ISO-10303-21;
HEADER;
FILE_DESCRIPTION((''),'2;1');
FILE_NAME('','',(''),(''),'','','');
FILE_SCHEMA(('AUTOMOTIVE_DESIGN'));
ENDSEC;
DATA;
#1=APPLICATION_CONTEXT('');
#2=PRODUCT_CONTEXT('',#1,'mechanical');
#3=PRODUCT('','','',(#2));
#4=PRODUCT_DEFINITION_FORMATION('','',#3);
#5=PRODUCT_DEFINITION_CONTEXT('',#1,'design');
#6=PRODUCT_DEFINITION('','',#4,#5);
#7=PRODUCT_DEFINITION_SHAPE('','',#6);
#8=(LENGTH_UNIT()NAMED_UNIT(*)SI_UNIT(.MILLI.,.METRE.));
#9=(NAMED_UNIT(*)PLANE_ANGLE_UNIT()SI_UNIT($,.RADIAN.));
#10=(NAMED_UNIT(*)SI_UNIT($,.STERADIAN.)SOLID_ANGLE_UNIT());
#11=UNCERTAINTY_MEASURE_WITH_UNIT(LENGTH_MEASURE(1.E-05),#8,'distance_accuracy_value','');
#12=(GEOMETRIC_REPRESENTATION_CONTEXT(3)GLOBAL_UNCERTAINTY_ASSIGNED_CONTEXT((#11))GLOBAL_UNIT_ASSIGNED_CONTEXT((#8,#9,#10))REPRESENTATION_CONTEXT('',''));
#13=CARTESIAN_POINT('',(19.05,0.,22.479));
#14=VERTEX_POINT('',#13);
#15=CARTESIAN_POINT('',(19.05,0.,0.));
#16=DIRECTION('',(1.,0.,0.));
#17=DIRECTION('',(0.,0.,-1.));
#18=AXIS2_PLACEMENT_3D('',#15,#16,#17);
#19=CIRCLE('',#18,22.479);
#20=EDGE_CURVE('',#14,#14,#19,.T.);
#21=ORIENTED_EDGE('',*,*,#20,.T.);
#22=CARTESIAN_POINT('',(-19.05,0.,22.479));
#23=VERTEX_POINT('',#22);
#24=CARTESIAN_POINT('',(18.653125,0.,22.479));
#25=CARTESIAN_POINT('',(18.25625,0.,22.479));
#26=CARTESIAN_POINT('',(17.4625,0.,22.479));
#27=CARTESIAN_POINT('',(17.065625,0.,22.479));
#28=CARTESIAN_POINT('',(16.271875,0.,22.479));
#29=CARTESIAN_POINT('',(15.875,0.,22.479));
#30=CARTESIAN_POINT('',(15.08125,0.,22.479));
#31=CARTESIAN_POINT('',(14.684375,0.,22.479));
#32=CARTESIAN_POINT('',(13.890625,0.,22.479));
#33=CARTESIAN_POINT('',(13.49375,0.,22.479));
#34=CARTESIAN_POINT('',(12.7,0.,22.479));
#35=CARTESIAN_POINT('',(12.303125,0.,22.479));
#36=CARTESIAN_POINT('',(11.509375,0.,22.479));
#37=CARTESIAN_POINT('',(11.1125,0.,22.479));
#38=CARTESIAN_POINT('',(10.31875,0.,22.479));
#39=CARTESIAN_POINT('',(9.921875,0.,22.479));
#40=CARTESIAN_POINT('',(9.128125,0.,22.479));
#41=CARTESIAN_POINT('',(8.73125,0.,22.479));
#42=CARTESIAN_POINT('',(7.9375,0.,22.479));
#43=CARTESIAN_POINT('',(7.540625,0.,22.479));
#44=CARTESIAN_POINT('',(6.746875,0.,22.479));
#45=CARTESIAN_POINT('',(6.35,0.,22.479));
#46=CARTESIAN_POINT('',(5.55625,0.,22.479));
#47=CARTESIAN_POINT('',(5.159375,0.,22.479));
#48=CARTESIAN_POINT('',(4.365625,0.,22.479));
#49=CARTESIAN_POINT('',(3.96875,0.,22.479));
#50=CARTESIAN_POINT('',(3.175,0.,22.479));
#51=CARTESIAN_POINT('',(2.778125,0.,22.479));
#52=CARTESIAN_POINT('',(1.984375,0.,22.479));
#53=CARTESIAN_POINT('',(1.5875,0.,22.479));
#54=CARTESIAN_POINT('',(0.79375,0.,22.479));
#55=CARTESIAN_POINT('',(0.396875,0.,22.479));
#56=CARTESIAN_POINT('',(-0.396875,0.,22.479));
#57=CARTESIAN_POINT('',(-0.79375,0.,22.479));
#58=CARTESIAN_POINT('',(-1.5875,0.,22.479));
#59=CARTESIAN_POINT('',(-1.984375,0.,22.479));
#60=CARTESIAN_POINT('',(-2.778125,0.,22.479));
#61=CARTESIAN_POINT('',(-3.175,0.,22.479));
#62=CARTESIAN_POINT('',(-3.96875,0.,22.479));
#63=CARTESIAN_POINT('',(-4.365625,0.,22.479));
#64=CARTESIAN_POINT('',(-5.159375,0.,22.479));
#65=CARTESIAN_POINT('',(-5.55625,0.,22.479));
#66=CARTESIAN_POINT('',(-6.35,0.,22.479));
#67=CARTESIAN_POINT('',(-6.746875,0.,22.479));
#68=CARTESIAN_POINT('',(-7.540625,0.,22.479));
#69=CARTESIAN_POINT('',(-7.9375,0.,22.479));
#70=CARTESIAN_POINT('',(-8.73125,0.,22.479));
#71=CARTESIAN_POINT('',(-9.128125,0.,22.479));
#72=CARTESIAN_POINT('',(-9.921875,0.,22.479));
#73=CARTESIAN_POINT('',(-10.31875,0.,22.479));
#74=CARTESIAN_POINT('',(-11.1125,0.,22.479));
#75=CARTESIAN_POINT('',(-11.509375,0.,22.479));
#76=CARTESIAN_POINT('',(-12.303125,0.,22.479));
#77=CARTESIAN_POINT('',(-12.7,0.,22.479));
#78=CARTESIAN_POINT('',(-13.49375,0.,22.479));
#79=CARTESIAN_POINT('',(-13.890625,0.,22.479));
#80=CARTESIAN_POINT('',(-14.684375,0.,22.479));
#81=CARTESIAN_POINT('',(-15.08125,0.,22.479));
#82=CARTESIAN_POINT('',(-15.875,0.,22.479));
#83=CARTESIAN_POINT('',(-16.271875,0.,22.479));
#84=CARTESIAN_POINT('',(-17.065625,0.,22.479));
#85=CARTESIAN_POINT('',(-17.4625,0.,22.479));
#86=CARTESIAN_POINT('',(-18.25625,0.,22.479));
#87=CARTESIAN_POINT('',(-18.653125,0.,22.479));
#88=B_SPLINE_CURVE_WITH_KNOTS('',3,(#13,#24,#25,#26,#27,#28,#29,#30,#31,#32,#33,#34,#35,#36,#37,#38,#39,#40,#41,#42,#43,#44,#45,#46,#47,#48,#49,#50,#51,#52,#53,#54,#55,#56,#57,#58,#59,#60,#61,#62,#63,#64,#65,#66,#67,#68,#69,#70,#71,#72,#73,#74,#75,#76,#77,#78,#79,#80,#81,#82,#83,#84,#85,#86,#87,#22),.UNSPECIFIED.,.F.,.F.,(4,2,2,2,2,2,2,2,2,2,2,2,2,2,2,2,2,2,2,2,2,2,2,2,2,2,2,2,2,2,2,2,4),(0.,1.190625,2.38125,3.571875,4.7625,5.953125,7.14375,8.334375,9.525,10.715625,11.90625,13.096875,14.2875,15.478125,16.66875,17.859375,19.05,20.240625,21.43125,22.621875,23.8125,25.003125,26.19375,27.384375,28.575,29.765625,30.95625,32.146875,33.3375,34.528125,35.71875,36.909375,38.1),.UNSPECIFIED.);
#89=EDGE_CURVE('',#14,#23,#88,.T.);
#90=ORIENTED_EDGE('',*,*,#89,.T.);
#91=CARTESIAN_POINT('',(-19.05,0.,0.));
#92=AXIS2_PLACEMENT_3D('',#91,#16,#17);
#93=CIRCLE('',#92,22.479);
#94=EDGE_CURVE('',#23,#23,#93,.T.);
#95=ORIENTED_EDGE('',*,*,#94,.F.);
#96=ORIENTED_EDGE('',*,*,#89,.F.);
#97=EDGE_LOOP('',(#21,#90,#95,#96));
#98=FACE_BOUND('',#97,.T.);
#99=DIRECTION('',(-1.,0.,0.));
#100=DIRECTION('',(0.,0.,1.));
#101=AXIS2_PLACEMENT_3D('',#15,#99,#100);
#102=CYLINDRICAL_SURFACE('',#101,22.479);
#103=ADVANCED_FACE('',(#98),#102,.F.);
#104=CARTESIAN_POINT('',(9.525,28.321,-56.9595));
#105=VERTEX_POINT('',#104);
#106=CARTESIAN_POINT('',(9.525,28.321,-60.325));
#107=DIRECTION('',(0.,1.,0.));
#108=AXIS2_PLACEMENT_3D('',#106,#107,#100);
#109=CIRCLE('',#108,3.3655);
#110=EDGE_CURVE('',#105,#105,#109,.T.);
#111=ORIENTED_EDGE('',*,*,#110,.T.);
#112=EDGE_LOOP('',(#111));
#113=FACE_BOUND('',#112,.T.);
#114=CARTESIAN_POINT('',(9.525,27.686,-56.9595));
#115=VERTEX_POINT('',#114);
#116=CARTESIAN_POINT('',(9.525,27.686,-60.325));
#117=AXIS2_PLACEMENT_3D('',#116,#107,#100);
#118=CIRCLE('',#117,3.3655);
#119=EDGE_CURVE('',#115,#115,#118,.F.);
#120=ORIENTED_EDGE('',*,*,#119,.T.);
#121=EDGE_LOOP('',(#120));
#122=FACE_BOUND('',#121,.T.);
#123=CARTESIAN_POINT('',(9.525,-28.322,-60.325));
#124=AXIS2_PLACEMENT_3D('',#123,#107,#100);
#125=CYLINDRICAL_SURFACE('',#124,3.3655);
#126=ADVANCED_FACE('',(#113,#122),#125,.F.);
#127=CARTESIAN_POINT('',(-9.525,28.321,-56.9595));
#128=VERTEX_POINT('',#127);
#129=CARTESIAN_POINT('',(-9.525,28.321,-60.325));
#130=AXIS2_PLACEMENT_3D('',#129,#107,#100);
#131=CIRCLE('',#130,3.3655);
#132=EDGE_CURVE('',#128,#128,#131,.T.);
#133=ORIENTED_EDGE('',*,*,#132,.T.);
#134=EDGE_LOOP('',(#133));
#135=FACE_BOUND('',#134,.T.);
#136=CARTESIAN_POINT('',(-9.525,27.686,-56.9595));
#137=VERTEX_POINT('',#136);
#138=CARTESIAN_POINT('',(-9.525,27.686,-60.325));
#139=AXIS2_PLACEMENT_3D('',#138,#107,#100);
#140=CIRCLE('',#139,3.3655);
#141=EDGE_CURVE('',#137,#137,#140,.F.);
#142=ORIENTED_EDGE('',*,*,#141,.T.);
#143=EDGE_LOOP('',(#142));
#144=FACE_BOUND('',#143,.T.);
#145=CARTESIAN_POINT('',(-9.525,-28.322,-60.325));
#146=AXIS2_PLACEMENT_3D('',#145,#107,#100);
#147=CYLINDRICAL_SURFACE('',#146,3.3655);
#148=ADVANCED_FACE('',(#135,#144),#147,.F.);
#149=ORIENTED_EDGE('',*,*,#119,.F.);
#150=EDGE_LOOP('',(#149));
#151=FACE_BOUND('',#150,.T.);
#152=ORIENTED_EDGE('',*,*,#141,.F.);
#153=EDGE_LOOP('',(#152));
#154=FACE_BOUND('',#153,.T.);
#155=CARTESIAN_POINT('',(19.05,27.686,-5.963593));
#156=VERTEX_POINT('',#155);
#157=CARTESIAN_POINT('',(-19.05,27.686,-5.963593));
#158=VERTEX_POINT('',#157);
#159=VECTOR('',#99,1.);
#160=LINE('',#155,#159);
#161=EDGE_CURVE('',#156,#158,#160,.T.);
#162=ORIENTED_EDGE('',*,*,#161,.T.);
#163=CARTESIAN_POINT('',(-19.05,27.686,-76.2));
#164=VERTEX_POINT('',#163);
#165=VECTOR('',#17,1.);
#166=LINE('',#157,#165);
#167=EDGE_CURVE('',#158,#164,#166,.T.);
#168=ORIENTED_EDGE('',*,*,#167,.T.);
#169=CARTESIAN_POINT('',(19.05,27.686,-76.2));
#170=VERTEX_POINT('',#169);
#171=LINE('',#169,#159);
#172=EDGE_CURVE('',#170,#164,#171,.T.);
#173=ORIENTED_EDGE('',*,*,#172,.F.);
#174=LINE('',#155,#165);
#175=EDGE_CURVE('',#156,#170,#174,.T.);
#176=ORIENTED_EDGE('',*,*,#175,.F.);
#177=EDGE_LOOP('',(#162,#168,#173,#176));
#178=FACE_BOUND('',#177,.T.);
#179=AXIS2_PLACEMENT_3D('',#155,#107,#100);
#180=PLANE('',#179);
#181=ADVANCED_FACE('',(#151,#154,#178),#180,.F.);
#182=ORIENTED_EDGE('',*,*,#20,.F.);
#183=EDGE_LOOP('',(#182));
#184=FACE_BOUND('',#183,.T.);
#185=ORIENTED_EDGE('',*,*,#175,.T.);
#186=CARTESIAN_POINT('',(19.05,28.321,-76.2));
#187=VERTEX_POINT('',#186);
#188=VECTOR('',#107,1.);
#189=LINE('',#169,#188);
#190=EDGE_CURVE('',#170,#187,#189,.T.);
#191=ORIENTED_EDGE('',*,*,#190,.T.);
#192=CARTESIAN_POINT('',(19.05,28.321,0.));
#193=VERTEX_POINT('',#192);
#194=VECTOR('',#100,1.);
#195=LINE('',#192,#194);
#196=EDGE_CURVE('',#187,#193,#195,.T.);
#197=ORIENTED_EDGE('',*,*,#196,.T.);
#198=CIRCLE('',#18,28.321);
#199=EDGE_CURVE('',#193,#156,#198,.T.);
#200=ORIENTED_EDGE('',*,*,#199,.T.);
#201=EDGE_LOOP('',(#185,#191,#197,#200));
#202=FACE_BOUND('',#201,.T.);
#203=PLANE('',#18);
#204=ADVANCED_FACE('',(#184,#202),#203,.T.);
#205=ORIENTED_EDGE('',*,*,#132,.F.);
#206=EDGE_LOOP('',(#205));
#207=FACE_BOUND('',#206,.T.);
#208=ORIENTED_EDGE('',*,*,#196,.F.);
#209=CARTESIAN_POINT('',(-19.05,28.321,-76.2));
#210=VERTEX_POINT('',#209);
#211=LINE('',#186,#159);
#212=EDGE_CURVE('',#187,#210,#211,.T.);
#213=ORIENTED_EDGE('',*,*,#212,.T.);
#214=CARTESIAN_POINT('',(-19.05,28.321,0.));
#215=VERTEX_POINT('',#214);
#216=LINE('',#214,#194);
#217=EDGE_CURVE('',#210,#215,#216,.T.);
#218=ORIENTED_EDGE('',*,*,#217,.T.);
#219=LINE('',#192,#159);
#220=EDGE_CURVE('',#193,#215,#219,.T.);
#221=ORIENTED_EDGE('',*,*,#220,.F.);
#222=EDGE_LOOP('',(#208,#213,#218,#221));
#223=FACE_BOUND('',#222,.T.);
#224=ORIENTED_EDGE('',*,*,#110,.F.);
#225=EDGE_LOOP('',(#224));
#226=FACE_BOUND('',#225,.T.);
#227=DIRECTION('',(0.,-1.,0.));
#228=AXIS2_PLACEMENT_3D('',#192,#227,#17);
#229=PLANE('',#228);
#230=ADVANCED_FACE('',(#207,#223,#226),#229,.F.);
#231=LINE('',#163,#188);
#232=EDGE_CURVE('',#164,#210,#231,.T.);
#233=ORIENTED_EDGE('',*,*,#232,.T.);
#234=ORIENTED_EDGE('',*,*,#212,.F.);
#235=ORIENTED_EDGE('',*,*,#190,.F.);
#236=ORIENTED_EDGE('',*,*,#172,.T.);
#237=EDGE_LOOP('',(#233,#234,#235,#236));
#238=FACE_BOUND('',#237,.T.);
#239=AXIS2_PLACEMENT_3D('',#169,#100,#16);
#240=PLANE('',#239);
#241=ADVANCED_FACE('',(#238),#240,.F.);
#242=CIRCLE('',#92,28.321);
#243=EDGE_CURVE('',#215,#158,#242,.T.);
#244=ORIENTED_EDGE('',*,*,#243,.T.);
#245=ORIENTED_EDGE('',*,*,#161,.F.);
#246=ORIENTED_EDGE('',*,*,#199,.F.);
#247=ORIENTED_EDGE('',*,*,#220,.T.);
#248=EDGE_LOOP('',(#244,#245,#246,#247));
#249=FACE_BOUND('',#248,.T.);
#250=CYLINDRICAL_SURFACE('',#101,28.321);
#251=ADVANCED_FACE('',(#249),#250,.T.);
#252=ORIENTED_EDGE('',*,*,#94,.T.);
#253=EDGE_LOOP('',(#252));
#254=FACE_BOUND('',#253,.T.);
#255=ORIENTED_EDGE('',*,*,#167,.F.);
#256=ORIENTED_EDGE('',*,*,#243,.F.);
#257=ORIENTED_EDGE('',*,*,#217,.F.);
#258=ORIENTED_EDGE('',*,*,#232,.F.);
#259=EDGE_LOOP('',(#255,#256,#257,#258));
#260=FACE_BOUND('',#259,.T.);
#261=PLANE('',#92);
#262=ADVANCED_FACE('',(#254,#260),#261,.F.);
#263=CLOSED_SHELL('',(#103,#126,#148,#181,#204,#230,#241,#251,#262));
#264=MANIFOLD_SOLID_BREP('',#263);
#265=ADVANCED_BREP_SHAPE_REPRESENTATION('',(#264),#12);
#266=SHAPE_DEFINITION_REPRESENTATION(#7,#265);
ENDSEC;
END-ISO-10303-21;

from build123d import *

# Parameters (mm, degrees)
SKETCH1_R           = 22.479
BOSS_EXTRUDE1_DEPTH = 19.05
TWOHOLE_REACH       = 98.838
SKETCH4_R           = 3.3655


with BuildPart() as part:
    # Sketch1 → Boss-Extrude1 (new, symmetric)
    with BuildSketch(Plane(origin=(0, 0, 0), x_dir=(0, 0, -1), z_dir=(1, 0, 0))):
        with BuildLine():
            Line((0, 28.321), (76.2, 28.321))
            Line((76.2, 28.321), (76.2, 27.686))
            Line((76.2, 27.686), (5.963593296, 27.686))
            ThreePointArc((5.963593296, 27.686), (-2.998652614, -28.161802561), (0, 28.321))
        make_face()
        with Locations(Location((0, 0, 0), (0, 0, 180))):
            Circle(SKETCH1_R, mode=Mode.SUBTRACT)
    extrude(amount=BOSS_EXTRUDE1_DEPTH, both=True)

    # Sketch4 → TwoHole (cut, up to next)
    with BuildSketch(Plane(origin=(0, 28.321, 0), x_dir=(1, 0, 0), z_dir=(0, 1, 0)), mode=Mode.PRIVATE) as twohole_sk1:
        with Locations(Location((-9.525, 60.325, 0), (0, 0, 270))):
            Circle(SKETCH4_R)
    twohole_tool1 = extrude(twohole_sk1.sketch, amount=-TWOHOLE_REACH, mode=Mode.PRIVATE) & part.part
    # Sketch4 → TwoHole (cut, up to next)
    with BuildSketch(Plane(origin=(0, 28.321, 0), x_dir=(1, 0, 0), z_dir=(0, 1, 0)), mode=Mode.PRIVATE) as twohole_sk2:
        with Locations(Location((9.525, 60.325, 0), (0, 0, 270))):
            Circle(SKETCH4_R)
    twohole_tool2 = extrude(twohole_sk2.sketch, amount=-TWOHOLE_REACH, mode=Mode.PRIVATE) & part.part
    add(twohole_tool1.solids().sort_by_distance((-9.525, 28.321, -60.325))[0], mode=Mode.SUBTRACT)
    add(twohole_tool2.solids().sort_by_distance((9.525, 28.321, -60.325))[0], mode=Mode.SUBTRACT)


solid = part.part
